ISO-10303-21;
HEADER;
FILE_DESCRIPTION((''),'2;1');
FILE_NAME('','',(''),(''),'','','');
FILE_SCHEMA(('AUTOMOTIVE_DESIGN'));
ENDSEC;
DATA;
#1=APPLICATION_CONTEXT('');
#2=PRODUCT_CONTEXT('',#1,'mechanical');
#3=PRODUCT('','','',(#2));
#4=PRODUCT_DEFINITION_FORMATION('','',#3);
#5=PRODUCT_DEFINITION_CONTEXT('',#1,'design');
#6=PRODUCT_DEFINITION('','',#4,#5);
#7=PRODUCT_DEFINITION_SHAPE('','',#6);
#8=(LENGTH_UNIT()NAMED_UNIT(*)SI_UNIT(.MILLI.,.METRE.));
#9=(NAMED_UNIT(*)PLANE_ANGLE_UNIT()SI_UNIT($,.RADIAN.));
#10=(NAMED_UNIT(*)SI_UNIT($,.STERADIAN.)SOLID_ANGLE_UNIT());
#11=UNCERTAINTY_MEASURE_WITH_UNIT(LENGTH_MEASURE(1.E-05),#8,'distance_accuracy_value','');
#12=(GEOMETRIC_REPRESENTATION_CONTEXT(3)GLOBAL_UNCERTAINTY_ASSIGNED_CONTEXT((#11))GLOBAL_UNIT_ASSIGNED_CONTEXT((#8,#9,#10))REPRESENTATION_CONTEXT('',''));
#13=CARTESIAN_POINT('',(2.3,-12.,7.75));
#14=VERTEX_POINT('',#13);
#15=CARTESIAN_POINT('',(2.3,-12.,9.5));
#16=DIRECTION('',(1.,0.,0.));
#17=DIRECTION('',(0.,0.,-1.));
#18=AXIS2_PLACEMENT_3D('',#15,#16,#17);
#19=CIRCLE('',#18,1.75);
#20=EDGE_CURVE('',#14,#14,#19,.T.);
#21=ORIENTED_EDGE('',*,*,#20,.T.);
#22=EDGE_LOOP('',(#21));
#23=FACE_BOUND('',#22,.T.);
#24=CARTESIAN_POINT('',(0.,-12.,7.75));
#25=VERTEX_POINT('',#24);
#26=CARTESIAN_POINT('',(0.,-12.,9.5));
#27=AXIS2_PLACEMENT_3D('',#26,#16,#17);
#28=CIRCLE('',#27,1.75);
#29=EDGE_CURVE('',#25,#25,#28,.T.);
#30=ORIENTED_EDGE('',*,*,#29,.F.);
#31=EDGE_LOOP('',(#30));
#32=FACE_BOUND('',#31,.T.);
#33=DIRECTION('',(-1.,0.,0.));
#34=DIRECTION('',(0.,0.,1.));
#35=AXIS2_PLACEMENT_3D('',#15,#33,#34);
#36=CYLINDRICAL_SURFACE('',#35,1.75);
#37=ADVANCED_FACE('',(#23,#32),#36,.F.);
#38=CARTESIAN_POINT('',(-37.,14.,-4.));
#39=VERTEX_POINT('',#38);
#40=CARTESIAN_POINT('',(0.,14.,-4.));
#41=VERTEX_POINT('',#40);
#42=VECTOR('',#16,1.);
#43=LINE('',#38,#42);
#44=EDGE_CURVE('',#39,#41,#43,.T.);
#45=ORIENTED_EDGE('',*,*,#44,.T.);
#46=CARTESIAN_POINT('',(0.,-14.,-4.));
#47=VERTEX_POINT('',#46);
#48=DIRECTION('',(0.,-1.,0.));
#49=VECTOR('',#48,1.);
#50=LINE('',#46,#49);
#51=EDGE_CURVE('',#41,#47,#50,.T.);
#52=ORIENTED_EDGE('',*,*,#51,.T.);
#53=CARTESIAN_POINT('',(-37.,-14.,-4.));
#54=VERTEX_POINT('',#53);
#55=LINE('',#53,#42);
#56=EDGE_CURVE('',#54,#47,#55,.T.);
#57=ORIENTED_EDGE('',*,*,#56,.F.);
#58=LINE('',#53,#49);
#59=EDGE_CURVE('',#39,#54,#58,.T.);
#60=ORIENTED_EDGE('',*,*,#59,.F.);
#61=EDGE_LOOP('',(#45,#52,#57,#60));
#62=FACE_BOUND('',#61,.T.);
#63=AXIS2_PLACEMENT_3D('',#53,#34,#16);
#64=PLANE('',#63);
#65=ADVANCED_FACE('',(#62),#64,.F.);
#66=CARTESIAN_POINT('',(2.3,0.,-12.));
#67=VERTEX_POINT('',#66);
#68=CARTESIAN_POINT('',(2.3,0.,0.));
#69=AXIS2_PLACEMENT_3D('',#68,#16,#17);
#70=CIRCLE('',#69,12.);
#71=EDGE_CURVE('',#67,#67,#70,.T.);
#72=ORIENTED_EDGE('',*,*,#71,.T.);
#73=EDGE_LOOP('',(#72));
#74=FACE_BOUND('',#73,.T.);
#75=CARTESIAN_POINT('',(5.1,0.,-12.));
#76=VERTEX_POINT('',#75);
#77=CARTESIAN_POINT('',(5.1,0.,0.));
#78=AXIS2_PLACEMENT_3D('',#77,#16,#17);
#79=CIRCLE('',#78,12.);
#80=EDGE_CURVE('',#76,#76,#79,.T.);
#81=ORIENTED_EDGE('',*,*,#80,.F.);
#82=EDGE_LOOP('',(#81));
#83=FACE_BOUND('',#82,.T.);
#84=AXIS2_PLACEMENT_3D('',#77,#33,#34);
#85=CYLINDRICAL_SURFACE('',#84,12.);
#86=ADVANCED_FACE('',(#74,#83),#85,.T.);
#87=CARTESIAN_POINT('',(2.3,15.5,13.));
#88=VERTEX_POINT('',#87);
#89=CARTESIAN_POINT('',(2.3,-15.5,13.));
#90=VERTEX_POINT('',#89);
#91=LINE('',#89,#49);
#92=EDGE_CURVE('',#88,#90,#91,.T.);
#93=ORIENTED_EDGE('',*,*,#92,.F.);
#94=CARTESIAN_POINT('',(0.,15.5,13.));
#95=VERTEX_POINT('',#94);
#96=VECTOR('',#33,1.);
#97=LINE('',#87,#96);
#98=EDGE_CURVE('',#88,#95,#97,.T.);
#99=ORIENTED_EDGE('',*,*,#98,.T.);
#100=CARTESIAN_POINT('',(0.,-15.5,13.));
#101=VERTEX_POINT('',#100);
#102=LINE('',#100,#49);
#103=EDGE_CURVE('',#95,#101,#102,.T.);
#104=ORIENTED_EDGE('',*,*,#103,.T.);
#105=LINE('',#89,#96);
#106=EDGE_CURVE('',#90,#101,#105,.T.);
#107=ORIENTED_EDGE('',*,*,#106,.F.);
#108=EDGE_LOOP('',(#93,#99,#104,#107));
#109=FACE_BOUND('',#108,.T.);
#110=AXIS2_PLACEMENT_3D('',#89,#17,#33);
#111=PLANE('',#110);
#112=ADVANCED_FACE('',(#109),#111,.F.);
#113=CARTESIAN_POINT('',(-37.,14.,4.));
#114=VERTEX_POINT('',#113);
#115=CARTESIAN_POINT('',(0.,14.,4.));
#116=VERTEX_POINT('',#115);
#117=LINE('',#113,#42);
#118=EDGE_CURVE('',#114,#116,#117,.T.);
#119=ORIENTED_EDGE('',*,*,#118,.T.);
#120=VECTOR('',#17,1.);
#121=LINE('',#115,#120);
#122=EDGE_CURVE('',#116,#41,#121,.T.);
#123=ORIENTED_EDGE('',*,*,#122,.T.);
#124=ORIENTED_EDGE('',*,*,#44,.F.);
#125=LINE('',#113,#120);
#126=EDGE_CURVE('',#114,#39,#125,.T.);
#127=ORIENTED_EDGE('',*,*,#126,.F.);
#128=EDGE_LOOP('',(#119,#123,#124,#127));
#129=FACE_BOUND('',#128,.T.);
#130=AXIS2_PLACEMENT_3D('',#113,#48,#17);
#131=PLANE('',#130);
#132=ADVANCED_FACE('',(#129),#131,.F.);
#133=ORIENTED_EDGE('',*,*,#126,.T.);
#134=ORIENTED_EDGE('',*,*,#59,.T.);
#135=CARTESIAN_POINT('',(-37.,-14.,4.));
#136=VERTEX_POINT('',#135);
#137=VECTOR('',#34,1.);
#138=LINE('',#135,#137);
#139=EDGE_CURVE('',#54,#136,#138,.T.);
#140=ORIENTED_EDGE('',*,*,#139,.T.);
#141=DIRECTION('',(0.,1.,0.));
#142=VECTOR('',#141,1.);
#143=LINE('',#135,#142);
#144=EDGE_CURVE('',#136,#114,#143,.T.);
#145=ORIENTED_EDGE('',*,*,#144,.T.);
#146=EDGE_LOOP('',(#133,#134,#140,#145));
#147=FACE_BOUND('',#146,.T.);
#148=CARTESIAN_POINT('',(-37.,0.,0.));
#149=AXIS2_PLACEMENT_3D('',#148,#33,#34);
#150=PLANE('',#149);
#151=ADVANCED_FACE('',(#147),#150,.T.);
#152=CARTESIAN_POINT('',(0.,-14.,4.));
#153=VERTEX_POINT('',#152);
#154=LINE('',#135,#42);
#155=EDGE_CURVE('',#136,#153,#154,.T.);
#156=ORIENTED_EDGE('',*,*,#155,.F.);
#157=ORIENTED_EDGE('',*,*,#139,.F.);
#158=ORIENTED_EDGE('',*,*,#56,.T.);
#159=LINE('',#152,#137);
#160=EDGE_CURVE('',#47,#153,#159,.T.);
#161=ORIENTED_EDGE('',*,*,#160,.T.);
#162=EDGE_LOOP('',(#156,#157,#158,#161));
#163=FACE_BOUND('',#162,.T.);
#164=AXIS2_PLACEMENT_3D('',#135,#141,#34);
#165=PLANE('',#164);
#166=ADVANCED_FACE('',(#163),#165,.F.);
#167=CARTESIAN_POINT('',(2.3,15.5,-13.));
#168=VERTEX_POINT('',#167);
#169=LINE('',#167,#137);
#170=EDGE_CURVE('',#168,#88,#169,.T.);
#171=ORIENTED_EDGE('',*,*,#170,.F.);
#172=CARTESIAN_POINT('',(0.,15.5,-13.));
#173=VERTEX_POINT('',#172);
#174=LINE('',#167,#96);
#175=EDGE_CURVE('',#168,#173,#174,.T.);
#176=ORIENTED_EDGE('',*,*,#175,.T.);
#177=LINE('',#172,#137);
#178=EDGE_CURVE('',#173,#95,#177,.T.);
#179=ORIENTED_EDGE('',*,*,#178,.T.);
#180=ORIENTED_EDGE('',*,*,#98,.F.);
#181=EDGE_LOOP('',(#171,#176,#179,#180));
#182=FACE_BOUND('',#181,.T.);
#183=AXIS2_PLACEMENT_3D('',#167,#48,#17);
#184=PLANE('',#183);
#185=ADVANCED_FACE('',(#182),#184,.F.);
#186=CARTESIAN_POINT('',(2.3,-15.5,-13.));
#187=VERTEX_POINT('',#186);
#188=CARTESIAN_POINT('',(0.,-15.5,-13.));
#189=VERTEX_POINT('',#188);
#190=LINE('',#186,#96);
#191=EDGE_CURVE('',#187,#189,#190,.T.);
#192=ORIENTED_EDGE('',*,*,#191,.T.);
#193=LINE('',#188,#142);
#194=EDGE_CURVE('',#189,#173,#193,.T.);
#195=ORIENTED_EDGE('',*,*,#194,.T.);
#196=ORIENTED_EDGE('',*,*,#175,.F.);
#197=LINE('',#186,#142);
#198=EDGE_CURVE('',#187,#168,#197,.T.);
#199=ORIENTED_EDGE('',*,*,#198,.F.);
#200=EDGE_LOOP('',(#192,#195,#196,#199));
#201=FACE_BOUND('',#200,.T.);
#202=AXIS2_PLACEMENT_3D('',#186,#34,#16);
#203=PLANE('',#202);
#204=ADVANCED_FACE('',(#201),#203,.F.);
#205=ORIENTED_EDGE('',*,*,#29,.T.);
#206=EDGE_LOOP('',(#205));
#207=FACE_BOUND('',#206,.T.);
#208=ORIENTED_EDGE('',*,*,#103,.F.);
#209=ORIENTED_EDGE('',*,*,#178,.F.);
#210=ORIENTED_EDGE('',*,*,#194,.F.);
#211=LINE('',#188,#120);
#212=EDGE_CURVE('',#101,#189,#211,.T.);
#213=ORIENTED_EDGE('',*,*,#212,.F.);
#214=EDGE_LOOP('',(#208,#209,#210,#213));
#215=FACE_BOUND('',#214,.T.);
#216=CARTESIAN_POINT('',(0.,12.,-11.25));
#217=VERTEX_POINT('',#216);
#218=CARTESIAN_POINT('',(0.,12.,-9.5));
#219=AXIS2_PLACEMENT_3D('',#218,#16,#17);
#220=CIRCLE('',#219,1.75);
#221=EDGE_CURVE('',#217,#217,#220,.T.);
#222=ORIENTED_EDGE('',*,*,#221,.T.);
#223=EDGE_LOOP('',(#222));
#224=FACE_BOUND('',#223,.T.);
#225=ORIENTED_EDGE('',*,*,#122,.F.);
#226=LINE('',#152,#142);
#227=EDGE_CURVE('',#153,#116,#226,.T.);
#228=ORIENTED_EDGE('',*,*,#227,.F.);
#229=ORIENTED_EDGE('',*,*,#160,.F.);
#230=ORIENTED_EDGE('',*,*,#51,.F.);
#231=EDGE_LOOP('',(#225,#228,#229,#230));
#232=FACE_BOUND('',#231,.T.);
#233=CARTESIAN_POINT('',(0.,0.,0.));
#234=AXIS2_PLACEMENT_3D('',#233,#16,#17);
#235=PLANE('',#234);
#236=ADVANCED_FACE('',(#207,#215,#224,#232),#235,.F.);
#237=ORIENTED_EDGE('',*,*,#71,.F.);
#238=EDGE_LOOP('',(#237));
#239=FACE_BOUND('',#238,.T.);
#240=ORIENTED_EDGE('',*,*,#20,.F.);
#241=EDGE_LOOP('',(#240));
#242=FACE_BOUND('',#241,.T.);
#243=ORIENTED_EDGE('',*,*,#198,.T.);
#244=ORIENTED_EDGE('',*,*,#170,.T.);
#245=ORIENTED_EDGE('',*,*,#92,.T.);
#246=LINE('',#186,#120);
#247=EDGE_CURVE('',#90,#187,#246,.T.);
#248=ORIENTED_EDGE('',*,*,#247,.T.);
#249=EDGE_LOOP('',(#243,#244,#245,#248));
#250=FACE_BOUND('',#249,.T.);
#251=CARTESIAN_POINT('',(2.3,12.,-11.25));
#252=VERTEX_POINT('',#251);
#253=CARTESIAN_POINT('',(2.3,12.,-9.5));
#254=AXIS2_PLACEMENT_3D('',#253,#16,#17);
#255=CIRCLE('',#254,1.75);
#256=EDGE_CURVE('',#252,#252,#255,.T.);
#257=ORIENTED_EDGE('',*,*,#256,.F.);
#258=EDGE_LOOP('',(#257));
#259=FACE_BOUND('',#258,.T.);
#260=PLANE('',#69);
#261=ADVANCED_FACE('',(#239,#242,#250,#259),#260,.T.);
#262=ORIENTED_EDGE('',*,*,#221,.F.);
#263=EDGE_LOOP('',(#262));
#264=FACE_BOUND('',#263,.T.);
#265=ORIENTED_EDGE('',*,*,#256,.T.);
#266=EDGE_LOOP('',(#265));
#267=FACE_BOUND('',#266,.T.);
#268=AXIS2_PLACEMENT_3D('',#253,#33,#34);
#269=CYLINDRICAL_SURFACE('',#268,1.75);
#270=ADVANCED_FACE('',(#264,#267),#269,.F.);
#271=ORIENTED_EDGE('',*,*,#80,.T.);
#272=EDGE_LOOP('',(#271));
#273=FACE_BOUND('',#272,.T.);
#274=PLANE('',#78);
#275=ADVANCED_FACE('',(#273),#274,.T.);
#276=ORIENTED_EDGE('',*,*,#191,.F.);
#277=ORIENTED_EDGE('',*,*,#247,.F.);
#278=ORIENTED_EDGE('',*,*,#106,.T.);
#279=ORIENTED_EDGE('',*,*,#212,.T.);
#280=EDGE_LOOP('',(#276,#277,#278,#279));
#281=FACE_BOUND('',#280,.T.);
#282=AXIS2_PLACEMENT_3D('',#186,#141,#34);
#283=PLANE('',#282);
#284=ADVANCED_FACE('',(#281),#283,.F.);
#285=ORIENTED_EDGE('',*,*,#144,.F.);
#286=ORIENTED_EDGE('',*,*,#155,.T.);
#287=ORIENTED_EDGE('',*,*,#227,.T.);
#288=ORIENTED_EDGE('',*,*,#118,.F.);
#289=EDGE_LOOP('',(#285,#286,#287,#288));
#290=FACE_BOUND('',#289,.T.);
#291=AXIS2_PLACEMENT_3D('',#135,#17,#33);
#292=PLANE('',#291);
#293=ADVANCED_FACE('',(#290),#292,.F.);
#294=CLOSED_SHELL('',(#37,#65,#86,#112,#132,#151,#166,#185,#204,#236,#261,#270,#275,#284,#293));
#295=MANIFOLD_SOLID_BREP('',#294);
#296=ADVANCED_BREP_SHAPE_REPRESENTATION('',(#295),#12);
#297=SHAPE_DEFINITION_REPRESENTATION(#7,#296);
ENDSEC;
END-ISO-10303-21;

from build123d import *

# Parameters (mm, degrees)
SKETCH2_W           = 26
SKETCH2_H           = 31
SKETCH2_R           = 1.75
BOSS_EXTRUDE1_DEPTH = 2.3
SKETCH3_R           = 12
BOSS_EXTRUDE2_DEPTH = 2.8
SKETCH4_W           = 8
SKETCH4_H           = 28
BOSS_EXTRUDE3_DEPTH = 37


with BuildPart() as part:
    # Sketch2 → Boss-Extrude1 (new body)
    with BuildSketch(Plane(origin=(0, 0, 0), x_dir=(0, 0, -1), z_dir=(1, 0, 0))):
        Rectangle(SKETCH2_W, SKETCH2_H)
        with Locations((-9.5, -12)):
            Circle(SKETCH2_R, mode=Mode.SUBTRACT)
        with Locations((9.5, 12)):
            Circle(SKETCH2_R, mode=Mode.SUBTRACT)
    extrude(amount=BOSS_EXTRUDE1_DEPTH)

    # Sketch3 → Boss-Extrude2 (add)
    with BuildSketch(Plane(origin=(2.3, 0, 0), x_dir=(0, 0, -1), z_dir=(1, 0, 0))):
        Circle(SKETCH3_R)
    extrude(amount=BOSS_EXTRUDE2_DEPTH)

    # Sketch4 → Boss-Extrude3 (add)
    with BuildSketch(Plane.ZY):
        Rectangle(SKETCH4_W, SKETCH4_H)
    extrude(amount=BOSS_EXTRUDE3_DEPTH)


solid = part.part
